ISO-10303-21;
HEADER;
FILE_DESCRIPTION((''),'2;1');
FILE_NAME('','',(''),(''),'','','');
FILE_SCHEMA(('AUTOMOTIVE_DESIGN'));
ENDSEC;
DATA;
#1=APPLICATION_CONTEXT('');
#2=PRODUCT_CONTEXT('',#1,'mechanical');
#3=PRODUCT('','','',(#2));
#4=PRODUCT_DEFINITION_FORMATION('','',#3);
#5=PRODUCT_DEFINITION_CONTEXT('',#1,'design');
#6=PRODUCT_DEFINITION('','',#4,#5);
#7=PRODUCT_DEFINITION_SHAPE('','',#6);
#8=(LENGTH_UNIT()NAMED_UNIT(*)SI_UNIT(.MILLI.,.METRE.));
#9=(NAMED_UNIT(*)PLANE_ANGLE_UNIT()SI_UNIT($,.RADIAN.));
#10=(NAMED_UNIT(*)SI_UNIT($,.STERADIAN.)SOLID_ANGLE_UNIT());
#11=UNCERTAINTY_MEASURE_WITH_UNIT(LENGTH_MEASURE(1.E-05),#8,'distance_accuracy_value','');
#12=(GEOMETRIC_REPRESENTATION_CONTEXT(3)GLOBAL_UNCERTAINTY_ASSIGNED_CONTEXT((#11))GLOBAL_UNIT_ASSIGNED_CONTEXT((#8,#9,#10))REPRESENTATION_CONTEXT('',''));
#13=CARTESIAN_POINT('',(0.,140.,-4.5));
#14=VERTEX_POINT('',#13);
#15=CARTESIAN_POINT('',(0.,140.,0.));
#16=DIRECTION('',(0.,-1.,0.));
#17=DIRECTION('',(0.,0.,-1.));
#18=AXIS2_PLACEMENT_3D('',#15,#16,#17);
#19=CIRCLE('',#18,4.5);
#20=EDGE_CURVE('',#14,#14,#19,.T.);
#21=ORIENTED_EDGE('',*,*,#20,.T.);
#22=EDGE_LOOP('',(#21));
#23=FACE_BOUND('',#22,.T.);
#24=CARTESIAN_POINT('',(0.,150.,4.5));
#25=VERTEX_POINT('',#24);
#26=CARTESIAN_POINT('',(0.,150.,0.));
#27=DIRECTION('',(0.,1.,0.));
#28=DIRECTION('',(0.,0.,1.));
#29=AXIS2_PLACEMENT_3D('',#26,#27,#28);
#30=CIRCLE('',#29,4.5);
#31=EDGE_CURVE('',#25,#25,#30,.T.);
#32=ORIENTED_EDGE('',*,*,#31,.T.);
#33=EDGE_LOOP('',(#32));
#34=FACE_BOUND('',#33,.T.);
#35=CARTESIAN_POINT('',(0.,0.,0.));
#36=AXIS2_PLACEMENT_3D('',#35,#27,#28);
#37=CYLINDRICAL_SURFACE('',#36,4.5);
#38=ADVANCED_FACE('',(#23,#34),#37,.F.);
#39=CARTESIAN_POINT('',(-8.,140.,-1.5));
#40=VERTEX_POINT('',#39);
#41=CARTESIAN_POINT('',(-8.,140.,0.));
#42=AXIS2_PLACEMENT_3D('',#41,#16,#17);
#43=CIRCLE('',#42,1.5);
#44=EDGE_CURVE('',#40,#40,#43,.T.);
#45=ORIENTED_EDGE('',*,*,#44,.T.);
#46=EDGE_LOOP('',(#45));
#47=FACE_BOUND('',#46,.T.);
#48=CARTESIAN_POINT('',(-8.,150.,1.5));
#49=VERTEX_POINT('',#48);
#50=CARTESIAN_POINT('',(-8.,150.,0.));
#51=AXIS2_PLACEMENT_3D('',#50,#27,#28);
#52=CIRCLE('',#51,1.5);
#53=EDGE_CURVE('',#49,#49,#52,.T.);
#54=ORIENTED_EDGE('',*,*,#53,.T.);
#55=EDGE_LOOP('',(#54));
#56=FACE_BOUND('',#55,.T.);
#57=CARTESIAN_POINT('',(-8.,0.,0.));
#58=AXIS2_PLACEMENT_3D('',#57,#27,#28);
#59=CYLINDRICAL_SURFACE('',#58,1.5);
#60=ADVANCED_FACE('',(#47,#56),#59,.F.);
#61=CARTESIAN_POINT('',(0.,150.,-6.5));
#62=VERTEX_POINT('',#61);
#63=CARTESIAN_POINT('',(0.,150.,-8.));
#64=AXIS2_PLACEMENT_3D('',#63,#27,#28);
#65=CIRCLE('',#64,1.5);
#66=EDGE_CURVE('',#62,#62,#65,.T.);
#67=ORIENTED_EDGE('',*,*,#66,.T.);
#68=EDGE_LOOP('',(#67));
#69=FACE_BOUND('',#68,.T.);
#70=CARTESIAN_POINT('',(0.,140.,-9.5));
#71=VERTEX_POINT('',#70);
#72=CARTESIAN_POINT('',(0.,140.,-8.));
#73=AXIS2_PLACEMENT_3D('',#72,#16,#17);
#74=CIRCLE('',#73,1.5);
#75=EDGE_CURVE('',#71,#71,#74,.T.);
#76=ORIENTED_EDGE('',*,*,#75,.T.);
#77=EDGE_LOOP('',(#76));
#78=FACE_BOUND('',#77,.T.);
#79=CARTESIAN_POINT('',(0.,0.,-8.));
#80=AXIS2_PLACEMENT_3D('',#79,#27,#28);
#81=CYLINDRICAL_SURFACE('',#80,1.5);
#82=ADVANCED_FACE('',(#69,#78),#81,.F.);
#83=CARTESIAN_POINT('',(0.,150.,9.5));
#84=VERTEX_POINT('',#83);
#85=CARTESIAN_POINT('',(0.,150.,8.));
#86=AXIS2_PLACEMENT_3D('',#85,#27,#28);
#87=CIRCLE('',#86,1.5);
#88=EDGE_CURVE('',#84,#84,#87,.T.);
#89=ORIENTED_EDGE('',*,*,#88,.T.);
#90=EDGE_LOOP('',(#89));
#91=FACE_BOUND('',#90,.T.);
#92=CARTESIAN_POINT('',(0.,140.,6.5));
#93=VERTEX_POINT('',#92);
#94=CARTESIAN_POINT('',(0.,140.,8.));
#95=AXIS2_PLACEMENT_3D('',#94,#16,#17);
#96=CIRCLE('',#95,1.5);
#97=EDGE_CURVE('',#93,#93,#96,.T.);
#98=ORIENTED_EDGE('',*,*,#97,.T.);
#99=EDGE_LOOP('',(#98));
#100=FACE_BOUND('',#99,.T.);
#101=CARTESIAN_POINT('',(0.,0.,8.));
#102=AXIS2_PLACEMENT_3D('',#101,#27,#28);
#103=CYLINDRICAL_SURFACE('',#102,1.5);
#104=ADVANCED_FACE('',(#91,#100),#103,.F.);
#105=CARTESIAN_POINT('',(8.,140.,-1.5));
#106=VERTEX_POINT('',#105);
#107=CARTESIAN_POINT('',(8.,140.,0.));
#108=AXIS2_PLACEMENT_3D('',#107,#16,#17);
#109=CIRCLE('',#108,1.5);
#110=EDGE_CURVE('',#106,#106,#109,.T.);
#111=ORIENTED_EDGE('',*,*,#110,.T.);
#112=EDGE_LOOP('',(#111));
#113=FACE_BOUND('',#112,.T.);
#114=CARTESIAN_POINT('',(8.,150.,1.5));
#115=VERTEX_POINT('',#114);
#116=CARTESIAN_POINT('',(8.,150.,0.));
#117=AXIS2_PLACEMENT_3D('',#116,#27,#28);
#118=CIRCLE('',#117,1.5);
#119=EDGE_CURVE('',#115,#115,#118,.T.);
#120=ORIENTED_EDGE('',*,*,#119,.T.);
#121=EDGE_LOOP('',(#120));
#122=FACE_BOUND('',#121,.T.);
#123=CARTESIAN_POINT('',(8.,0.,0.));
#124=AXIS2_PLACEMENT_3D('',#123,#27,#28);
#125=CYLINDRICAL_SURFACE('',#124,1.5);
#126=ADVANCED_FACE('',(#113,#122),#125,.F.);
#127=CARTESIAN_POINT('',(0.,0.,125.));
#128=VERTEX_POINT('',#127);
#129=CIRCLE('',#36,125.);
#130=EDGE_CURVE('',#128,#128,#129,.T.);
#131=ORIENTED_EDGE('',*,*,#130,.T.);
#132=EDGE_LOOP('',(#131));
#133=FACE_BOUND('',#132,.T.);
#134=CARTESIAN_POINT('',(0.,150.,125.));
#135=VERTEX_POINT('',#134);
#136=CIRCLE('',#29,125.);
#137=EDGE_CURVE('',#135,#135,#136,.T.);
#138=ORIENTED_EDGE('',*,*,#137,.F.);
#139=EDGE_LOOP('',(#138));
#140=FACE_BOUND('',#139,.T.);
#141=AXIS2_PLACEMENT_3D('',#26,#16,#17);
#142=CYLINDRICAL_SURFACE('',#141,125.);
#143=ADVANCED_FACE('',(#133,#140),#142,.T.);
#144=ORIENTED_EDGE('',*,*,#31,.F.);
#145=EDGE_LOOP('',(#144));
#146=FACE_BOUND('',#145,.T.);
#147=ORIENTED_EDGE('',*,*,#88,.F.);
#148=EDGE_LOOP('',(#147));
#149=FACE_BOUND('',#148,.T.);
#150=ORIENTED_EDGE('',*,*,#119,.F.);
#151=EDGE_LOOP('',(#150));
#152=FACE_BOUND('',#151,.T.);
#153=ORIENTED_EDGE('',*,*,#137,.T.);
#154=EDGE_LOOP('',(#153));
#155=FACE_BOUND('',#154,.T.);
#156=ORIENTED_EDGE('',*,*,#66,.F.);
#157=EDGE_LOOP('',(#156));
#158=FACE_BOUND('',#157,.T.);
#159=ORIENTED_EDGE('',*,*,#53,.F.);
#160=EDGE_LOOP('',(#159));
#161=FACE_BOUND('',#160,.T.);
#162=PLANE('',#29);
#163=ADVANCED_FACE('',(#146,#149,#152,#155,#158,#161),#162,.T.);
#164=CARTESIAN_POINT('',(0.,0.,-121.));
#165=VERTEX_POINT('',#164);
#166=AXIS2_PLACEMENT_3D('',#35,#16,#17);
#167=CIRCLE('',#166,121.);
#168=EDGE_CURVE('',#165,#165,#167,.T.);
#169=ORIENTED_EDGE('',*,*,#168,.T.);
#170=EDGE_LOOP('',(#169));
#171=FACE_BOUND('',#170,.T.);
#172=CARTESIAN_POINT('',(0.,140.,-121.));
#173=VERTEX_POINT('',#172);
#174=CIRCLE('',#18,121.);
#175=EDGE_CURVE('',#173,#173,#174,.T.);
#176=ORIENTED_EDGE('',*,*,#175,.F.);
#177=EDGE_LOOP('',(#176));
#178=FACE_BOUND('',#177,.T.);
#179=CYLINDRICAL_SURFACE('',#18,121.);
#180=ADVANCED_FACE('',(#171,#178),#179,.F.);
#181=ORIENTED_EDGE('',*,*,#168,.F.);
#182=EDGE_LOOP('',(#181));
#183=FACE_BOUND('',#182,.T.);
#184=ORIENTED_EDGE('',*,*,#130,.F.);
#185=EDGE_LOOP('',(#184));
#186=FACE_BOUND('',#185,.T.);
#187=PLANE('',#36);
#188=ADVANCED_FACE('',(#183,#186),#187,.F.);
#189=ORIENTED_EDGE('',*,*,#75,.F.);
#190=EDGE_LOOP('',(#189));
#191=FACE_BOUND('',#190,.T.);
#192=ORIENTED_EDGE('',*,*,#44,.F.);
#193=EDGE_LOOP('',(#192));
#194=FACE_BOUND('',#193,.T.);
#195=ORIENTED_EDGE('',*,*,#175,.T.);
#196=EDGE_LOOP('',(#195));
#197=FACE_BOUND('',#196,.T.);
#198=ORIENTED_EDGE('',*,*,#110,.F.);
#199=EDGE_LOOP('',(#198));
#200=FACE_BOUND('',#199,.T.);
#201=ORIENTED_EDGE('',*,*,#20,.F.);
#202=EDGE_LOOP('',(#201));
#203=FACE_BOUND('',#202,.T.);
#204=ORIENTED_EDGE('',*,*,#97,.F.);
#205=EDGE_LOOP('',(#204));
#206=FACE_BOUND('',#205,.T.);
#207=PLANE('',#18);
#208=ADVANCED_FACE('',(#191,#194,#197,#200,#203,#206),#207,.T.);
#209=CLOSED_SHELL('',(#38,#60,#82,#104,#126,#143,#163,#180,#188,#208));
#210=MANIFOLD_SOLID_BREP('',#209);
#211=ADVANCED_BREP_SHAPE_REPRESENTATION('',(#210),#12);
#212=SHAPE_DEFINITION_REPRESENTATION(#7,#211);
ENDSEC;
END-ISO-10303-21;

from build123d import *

# Parameters (mm, degrees)
SKETCH1_R           = 125
BOSS_EXTRUDE1_DEPTH = 150
SKETCH2_R           = 121
CUT_EXTRUDE1_DEPTH  = 140
SKETCH3_R           = 1.5
SKETCH3_R_2         = 4.5
CUT_EXTRUDE2_DEPTH  = 232.840462387


with BuildPart() as part:
    # Sketch1 → Boss-Extrude1 (new body)
    with BuildSketch(Plane(origin=(0, 0, 0), x_dir=(1, 0, 0), z_dir=(0, 1, 0))):
        with Locations(Location((0, 0, 0), (0, 0, 270))):
            Circle(SKETCH1_R)
    extrude(amount=BOSS_EXTRUDE1_DEPTH)

    # Sketch2 → Cut-Extrude1 (cut)
    with BuildSketch(Plane.XZ):
        with Locations(Location((0, 0, 0), (0, 0, 270))):
            Circle(SKETCH2_R)
    extrude(amount=-CUT_EXTRUDE1_DEPTH, mode=Mode.SUBTRACT)

    # Sketch3 → Cut-Extrude2 (cut, through all)
    with BuildSketch(Plane(origin=(0, 150, 0), x_dir=(1, 0, 0), z_dir=(0, 1, 0))):
        with Locations(Location((-8, 0, 0), (0, 0, 270))):
            Circle(SKETCH3_R)
        with Locations(Location((0, 0, 0), (0, 0, 270))):
            Circle(SKETCH3_R_2)
        with Locations(Location((0, 8, 0), (0, 0, 270))):
            Circle(SKETCH3_R)
        with Locations(Location((8, 0, 0), (0, 0, 270))):
            Circle(SKETCH3_R)
        with Locations(Location((0, -8, 0), (0, 0, 270))):
            Circle(SKETCH3_R)
    extrude(amount=-CUT_EXTRUDE2_DEPTH, mode=Mode.SUBTRACT)


solid = part.part
